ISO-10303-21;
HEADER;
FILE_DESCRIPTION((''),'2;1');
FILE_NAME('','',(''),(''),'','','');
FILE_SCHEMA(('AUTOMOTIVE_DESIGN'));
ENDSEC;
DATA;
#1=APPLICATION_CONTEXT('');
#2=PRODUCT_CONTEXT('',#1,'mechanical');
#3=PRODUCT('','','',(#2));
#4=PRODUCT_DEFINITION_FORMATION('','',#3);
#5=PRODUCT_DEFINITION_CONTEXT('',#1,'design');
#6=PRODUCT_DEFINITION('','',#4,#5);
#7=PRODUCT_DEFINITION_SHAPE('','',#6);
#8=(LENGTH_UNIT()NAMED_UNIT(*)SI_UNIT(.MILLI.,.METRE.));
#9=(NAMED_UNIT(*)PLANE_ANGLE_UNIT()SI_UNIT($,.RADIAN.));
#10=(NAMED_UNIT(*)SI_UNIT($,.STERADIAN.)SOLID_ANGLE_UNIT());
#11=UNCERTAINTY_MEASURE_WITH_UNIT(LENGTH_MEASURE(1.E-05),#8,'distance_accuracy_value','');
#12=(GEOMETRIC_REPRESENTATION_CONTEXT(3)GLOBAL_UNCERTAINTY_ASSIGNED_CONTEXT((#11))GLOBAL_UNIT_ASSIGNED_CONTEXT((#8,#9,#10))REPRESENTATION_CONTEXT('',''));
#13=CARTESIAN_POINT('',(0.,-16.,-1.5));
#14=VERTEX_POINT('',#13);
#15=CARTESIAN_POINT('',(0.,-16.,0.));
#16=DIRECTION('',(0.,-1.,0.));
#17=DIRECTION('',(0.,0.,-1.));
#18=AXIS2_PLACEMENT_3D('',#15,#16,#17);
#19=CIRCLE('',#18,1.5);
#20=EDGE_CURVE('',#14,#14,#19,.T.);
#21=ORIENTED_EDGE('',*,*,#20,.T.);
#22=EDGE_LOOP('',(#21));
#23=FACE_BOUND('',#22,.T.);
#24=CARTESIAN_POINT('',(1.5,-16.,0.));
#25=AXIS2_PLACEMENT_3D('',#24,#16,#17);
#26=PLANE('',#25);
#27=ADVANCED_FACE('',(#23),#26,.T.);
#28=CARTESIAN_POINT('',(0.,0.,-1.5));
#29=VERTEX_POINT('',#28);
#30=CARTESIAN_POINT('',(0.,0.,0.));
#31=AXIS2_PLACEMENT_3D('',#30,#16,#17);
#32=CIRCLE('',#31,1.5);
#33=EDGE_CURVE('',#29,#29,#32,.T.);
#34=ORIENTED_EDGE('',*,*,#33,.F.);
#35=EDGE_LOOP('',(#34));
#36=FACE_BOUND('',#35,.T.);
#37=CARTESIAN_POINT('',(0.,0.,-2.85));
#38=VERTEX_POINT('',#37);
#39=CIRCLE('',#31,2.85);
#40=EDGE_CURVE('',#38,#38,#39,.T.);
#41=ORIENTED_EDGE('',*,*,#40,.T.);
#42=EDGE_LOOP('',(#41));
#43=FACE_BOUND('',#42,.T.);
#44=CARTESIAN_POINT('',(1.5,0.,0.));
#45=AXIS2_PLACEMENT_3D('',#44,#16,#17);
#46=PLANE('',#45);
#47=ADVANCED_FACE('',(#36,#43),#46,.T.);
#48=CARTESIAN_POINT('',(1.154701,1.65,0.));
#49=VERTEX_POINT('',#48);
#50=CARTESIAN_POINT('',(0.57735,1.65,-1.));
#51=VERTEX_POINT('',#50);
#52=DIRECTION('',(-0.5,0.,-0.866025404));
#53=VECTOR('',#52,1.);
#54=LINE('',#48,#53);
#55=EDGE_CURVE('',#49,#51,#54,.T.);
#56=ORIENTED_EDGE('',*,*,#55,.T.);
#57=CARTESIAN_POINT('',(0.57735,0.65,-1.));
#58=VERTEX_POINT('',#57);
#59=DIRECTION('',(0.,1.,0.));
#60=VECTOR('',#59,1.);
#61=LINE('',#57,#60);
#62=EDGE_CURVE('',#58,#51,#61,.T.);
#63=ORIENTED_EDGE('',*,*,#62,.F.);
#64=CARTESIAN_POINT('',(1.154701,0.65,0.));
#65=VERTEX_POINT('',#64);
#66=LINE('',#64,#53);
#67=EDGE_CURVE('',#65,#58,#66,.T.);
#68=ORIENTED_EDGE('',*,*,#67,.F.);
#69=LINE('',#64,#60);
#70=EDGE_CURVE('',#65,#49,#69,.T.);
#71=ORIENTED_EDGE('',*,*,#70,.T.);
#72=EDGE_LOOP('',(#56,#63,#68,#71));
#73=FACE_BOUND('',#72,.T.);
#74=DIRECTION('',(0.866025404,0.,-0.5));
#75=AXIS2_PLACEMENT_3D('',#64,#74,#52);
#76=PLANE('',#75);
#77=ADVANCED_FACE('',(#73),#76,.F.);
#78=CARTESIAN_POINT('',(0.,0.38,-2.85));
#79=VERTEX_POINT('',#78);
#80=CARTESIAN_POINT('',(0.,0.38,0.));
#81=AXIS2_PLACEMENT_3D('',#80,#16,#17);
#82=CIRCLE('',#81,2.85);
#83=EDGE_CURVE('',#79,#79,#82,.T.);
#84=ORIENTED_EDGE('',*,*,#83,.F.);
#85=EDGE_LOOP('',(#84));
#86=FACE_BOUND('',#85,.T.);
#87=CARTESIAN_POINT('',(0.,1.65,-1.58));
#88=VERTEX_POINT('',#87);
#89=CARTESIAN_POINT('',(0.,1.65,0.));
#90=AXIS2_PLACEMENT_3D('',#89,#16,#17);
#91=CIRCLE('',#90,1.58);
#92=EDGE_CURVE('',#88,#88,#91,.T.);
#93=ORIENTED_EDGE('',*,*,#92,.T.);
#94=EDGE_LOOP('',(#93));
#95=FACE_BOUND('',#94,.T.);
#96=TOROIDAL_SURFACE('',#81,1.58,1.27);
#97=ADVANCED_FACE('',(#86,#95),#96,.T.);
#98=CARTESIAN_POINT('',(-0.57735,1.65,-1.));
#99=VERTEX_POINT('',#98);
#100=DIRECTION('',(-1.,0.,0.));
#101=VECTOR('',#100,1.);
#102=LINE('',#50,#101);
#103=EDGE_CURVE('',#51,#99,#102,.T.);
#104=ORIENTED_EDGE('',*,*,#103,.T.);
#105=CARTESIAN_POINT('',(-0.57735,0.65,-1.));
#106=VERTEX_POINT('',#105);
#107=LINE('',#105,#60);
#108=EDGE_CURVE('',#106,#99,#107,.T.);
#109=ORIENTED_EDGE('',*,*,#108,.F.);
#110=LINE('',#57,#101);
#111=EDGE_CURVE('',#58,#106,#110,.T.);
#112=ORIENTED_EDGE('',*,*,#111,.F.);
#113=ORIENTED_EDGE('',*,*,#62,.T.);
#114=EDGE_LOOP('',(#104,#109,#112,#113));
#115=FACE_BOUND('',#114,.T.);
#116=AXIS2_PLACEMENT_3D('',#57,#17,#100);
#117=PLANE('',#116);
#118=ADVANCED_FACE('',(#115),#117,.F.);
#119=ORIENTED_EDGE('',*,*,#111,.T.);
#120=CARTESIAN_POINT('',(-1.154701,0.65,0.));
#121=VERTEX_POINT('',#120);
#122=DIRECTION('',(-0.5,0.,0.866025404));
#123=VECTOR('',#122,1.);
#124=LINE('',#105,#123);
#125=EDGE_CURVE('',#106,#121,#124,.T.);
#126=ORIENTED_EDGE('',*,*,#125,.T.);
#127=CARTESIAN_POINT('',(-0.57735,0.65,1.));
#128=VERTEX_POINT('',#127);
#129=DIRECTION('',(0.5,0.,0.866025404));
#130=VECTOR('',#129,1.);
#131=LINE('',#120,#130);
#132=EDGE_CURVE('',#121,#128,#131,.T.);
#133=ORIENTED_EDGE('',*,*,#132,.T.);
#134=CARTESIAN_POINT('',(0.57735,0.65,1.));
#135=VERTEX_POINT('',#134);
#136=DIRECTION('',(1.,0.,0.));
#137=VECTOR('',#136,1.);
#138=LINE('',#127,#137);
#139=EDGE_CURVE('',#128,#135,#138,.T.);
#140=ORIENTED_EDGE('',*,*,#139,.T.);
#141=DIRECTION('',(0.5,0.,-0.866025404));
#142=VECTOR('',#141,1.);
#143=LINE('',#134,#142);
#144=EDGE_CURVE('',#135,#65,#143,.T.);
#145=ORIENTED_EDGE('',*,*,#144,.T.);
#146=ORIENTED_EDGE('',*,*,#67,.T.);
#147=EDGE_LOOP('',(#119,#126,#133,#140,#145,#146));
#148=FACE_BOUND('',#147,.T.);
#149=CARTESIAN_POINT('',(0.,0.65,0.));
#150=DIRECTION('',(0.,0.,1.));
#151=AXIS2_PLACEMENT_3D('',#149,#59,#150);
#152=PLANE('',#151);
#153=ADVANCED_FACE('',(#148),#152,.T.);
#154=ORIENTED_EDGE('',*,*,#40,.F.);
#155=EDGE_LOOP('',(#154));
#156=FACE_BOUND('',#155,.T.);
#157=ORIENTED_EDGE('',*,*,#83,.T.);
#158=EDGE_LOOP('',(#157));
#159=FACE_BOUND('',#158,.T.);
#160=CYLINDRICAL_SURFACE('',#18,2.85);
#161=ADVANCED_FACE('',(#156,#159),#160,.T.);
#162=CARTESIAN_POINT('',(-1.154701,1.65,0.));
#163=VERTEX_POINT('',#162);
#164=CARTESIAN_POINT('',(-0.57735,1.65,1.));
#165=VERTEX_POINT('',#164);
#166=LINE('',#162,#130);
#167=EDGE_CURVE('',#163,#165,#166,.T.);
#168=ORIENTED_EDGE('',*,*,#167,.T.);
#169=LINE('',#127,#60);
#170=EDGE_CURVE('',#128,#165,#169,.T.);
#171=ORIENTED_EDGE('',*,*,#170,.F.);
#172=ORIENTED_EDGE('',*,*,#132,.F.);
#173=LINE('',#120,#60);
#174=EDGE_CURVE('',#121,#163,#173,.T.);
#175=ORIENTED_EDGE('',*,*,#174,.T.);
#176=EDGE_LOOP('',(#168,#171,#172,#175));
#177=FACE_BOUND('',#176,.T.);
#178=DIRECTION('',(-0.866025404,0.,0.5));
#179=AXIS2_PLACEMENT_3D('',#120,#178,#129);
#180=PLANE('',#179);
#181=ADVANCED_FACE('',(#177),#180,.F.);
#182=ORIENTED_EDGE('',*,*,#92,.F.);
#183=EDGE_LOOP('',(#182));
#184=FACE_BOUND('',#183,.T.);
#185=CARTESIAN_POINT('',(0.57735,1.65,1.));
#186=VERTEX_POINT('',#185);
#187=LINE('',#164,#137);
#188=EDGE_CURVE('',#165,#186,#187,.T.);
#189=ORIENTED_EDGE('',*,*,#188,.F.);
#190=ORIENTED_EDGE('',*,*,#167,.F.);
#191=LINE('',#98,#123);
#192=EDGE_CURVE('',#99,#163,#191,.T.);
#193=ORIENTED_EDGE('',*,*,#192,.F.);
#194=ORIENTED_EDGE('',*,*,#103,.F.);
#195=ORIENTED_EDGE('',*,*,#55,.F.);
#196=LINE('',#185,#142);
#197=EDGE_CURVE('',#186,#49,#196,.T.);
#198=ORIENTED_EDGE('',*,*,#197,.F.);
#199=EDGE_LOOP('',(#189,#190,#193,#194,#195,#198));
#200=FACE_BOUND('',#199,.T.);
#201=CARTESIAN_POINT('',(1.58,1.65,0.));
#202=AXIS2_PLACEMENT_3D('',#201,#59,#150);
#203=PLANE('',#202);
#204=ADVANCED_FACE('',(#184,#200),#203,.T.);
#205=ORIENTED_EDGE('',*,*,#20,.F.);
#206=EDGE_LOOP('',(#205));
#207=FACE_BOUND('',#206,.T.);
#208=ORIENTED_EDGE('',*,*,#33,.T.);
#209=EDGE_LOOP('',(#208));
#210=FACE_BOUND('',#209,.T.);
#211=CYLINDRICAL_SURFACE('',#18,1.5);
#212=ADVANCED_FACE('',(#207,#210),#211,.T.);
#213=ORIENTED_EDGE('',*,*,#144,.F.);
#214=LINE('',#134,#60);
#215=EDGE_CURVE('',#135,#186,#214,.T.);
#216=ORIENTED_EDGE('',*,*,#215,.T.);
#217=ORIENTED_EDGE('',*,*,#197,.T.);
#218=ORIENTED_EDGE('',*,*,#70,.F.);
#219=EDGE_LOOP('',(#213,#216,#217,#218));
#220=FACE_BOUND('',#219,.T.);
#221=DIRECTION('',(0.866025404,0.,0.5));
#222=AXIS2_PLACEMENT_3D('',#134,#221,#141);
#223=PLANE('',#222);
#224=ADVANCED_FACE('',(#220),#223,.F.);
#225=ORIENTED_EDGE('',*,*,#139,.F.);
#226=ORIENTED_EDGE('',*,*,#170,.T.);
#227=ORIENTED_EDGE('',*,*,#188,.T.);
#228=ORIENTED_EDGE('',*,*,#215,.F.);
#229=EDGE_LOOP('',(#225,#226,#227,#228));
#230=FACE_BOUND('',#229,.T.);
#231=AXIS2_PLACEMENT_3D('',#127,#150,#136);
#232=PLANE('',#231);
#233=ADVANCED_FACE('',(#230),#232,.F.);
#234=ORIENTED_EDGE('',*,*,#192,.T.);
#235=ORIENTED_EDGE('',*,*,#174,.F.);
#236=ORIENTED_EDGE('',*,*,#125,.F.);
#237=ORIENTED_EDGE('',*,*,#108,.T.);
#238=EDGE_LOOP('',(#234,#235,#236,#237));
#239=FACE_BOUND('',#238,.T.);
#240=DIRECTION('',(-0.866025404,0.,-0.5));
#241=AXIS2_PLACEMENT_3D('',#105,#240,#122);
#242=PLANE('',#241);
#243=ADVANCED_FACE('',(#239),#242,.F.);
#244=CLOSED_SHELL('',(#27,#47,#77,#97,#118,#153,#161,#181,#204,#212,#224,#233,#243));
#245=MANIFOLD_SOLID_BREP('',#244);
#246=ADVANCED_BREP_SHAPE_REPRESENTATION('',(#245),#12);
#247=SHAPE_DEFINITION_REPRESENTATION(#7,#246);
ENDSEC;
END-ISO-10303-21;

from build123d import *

# Parameters (mm, degrees)
CUT_EXTRUDE1_DEPTH = 1


with BuildPart() as part:
    # Sketch1 → Revolve1 (revolve)
    with BuildSketch(Plane.XY):
        with BuildLine():
            Line((1.5, 0), (2.85, 0))
            Line((2.85, 0), (2.85, 0.38))
            ThreePointArc((2.85, 0.38), (2.478025612, 1.278025612), (1.58, 1.65))
            Line((1.58, 1.65), (0, 1.65))
            Line((0, 1.65), (0, -16))
            Line((0, -16), (1.5, -16))
            Line((1.5, -16), (1.5, 0))
        make_face()
    revolve(axis=Axis((0, -16, 0), (0, 1, 0)))

    # Sketch2 → Cut-Extrude1 (cut)
    with BuildSketch(Plane(origin=(0, 1.65, 0), x_dir=(1, 0, 0), z_dir=(0, 1, 0))):
        Polygon((0.577350269, 1), (-0.577350269, 1), (-1.154700538, 0), (-0.577350269, -1), (0.577350269, -1), (1.154700538, 0), align=None)
    extrude(amount=-CUT_EXTRUDE1_DEPTH, mode=Mode.SUBTRACT)


solid = part.part
